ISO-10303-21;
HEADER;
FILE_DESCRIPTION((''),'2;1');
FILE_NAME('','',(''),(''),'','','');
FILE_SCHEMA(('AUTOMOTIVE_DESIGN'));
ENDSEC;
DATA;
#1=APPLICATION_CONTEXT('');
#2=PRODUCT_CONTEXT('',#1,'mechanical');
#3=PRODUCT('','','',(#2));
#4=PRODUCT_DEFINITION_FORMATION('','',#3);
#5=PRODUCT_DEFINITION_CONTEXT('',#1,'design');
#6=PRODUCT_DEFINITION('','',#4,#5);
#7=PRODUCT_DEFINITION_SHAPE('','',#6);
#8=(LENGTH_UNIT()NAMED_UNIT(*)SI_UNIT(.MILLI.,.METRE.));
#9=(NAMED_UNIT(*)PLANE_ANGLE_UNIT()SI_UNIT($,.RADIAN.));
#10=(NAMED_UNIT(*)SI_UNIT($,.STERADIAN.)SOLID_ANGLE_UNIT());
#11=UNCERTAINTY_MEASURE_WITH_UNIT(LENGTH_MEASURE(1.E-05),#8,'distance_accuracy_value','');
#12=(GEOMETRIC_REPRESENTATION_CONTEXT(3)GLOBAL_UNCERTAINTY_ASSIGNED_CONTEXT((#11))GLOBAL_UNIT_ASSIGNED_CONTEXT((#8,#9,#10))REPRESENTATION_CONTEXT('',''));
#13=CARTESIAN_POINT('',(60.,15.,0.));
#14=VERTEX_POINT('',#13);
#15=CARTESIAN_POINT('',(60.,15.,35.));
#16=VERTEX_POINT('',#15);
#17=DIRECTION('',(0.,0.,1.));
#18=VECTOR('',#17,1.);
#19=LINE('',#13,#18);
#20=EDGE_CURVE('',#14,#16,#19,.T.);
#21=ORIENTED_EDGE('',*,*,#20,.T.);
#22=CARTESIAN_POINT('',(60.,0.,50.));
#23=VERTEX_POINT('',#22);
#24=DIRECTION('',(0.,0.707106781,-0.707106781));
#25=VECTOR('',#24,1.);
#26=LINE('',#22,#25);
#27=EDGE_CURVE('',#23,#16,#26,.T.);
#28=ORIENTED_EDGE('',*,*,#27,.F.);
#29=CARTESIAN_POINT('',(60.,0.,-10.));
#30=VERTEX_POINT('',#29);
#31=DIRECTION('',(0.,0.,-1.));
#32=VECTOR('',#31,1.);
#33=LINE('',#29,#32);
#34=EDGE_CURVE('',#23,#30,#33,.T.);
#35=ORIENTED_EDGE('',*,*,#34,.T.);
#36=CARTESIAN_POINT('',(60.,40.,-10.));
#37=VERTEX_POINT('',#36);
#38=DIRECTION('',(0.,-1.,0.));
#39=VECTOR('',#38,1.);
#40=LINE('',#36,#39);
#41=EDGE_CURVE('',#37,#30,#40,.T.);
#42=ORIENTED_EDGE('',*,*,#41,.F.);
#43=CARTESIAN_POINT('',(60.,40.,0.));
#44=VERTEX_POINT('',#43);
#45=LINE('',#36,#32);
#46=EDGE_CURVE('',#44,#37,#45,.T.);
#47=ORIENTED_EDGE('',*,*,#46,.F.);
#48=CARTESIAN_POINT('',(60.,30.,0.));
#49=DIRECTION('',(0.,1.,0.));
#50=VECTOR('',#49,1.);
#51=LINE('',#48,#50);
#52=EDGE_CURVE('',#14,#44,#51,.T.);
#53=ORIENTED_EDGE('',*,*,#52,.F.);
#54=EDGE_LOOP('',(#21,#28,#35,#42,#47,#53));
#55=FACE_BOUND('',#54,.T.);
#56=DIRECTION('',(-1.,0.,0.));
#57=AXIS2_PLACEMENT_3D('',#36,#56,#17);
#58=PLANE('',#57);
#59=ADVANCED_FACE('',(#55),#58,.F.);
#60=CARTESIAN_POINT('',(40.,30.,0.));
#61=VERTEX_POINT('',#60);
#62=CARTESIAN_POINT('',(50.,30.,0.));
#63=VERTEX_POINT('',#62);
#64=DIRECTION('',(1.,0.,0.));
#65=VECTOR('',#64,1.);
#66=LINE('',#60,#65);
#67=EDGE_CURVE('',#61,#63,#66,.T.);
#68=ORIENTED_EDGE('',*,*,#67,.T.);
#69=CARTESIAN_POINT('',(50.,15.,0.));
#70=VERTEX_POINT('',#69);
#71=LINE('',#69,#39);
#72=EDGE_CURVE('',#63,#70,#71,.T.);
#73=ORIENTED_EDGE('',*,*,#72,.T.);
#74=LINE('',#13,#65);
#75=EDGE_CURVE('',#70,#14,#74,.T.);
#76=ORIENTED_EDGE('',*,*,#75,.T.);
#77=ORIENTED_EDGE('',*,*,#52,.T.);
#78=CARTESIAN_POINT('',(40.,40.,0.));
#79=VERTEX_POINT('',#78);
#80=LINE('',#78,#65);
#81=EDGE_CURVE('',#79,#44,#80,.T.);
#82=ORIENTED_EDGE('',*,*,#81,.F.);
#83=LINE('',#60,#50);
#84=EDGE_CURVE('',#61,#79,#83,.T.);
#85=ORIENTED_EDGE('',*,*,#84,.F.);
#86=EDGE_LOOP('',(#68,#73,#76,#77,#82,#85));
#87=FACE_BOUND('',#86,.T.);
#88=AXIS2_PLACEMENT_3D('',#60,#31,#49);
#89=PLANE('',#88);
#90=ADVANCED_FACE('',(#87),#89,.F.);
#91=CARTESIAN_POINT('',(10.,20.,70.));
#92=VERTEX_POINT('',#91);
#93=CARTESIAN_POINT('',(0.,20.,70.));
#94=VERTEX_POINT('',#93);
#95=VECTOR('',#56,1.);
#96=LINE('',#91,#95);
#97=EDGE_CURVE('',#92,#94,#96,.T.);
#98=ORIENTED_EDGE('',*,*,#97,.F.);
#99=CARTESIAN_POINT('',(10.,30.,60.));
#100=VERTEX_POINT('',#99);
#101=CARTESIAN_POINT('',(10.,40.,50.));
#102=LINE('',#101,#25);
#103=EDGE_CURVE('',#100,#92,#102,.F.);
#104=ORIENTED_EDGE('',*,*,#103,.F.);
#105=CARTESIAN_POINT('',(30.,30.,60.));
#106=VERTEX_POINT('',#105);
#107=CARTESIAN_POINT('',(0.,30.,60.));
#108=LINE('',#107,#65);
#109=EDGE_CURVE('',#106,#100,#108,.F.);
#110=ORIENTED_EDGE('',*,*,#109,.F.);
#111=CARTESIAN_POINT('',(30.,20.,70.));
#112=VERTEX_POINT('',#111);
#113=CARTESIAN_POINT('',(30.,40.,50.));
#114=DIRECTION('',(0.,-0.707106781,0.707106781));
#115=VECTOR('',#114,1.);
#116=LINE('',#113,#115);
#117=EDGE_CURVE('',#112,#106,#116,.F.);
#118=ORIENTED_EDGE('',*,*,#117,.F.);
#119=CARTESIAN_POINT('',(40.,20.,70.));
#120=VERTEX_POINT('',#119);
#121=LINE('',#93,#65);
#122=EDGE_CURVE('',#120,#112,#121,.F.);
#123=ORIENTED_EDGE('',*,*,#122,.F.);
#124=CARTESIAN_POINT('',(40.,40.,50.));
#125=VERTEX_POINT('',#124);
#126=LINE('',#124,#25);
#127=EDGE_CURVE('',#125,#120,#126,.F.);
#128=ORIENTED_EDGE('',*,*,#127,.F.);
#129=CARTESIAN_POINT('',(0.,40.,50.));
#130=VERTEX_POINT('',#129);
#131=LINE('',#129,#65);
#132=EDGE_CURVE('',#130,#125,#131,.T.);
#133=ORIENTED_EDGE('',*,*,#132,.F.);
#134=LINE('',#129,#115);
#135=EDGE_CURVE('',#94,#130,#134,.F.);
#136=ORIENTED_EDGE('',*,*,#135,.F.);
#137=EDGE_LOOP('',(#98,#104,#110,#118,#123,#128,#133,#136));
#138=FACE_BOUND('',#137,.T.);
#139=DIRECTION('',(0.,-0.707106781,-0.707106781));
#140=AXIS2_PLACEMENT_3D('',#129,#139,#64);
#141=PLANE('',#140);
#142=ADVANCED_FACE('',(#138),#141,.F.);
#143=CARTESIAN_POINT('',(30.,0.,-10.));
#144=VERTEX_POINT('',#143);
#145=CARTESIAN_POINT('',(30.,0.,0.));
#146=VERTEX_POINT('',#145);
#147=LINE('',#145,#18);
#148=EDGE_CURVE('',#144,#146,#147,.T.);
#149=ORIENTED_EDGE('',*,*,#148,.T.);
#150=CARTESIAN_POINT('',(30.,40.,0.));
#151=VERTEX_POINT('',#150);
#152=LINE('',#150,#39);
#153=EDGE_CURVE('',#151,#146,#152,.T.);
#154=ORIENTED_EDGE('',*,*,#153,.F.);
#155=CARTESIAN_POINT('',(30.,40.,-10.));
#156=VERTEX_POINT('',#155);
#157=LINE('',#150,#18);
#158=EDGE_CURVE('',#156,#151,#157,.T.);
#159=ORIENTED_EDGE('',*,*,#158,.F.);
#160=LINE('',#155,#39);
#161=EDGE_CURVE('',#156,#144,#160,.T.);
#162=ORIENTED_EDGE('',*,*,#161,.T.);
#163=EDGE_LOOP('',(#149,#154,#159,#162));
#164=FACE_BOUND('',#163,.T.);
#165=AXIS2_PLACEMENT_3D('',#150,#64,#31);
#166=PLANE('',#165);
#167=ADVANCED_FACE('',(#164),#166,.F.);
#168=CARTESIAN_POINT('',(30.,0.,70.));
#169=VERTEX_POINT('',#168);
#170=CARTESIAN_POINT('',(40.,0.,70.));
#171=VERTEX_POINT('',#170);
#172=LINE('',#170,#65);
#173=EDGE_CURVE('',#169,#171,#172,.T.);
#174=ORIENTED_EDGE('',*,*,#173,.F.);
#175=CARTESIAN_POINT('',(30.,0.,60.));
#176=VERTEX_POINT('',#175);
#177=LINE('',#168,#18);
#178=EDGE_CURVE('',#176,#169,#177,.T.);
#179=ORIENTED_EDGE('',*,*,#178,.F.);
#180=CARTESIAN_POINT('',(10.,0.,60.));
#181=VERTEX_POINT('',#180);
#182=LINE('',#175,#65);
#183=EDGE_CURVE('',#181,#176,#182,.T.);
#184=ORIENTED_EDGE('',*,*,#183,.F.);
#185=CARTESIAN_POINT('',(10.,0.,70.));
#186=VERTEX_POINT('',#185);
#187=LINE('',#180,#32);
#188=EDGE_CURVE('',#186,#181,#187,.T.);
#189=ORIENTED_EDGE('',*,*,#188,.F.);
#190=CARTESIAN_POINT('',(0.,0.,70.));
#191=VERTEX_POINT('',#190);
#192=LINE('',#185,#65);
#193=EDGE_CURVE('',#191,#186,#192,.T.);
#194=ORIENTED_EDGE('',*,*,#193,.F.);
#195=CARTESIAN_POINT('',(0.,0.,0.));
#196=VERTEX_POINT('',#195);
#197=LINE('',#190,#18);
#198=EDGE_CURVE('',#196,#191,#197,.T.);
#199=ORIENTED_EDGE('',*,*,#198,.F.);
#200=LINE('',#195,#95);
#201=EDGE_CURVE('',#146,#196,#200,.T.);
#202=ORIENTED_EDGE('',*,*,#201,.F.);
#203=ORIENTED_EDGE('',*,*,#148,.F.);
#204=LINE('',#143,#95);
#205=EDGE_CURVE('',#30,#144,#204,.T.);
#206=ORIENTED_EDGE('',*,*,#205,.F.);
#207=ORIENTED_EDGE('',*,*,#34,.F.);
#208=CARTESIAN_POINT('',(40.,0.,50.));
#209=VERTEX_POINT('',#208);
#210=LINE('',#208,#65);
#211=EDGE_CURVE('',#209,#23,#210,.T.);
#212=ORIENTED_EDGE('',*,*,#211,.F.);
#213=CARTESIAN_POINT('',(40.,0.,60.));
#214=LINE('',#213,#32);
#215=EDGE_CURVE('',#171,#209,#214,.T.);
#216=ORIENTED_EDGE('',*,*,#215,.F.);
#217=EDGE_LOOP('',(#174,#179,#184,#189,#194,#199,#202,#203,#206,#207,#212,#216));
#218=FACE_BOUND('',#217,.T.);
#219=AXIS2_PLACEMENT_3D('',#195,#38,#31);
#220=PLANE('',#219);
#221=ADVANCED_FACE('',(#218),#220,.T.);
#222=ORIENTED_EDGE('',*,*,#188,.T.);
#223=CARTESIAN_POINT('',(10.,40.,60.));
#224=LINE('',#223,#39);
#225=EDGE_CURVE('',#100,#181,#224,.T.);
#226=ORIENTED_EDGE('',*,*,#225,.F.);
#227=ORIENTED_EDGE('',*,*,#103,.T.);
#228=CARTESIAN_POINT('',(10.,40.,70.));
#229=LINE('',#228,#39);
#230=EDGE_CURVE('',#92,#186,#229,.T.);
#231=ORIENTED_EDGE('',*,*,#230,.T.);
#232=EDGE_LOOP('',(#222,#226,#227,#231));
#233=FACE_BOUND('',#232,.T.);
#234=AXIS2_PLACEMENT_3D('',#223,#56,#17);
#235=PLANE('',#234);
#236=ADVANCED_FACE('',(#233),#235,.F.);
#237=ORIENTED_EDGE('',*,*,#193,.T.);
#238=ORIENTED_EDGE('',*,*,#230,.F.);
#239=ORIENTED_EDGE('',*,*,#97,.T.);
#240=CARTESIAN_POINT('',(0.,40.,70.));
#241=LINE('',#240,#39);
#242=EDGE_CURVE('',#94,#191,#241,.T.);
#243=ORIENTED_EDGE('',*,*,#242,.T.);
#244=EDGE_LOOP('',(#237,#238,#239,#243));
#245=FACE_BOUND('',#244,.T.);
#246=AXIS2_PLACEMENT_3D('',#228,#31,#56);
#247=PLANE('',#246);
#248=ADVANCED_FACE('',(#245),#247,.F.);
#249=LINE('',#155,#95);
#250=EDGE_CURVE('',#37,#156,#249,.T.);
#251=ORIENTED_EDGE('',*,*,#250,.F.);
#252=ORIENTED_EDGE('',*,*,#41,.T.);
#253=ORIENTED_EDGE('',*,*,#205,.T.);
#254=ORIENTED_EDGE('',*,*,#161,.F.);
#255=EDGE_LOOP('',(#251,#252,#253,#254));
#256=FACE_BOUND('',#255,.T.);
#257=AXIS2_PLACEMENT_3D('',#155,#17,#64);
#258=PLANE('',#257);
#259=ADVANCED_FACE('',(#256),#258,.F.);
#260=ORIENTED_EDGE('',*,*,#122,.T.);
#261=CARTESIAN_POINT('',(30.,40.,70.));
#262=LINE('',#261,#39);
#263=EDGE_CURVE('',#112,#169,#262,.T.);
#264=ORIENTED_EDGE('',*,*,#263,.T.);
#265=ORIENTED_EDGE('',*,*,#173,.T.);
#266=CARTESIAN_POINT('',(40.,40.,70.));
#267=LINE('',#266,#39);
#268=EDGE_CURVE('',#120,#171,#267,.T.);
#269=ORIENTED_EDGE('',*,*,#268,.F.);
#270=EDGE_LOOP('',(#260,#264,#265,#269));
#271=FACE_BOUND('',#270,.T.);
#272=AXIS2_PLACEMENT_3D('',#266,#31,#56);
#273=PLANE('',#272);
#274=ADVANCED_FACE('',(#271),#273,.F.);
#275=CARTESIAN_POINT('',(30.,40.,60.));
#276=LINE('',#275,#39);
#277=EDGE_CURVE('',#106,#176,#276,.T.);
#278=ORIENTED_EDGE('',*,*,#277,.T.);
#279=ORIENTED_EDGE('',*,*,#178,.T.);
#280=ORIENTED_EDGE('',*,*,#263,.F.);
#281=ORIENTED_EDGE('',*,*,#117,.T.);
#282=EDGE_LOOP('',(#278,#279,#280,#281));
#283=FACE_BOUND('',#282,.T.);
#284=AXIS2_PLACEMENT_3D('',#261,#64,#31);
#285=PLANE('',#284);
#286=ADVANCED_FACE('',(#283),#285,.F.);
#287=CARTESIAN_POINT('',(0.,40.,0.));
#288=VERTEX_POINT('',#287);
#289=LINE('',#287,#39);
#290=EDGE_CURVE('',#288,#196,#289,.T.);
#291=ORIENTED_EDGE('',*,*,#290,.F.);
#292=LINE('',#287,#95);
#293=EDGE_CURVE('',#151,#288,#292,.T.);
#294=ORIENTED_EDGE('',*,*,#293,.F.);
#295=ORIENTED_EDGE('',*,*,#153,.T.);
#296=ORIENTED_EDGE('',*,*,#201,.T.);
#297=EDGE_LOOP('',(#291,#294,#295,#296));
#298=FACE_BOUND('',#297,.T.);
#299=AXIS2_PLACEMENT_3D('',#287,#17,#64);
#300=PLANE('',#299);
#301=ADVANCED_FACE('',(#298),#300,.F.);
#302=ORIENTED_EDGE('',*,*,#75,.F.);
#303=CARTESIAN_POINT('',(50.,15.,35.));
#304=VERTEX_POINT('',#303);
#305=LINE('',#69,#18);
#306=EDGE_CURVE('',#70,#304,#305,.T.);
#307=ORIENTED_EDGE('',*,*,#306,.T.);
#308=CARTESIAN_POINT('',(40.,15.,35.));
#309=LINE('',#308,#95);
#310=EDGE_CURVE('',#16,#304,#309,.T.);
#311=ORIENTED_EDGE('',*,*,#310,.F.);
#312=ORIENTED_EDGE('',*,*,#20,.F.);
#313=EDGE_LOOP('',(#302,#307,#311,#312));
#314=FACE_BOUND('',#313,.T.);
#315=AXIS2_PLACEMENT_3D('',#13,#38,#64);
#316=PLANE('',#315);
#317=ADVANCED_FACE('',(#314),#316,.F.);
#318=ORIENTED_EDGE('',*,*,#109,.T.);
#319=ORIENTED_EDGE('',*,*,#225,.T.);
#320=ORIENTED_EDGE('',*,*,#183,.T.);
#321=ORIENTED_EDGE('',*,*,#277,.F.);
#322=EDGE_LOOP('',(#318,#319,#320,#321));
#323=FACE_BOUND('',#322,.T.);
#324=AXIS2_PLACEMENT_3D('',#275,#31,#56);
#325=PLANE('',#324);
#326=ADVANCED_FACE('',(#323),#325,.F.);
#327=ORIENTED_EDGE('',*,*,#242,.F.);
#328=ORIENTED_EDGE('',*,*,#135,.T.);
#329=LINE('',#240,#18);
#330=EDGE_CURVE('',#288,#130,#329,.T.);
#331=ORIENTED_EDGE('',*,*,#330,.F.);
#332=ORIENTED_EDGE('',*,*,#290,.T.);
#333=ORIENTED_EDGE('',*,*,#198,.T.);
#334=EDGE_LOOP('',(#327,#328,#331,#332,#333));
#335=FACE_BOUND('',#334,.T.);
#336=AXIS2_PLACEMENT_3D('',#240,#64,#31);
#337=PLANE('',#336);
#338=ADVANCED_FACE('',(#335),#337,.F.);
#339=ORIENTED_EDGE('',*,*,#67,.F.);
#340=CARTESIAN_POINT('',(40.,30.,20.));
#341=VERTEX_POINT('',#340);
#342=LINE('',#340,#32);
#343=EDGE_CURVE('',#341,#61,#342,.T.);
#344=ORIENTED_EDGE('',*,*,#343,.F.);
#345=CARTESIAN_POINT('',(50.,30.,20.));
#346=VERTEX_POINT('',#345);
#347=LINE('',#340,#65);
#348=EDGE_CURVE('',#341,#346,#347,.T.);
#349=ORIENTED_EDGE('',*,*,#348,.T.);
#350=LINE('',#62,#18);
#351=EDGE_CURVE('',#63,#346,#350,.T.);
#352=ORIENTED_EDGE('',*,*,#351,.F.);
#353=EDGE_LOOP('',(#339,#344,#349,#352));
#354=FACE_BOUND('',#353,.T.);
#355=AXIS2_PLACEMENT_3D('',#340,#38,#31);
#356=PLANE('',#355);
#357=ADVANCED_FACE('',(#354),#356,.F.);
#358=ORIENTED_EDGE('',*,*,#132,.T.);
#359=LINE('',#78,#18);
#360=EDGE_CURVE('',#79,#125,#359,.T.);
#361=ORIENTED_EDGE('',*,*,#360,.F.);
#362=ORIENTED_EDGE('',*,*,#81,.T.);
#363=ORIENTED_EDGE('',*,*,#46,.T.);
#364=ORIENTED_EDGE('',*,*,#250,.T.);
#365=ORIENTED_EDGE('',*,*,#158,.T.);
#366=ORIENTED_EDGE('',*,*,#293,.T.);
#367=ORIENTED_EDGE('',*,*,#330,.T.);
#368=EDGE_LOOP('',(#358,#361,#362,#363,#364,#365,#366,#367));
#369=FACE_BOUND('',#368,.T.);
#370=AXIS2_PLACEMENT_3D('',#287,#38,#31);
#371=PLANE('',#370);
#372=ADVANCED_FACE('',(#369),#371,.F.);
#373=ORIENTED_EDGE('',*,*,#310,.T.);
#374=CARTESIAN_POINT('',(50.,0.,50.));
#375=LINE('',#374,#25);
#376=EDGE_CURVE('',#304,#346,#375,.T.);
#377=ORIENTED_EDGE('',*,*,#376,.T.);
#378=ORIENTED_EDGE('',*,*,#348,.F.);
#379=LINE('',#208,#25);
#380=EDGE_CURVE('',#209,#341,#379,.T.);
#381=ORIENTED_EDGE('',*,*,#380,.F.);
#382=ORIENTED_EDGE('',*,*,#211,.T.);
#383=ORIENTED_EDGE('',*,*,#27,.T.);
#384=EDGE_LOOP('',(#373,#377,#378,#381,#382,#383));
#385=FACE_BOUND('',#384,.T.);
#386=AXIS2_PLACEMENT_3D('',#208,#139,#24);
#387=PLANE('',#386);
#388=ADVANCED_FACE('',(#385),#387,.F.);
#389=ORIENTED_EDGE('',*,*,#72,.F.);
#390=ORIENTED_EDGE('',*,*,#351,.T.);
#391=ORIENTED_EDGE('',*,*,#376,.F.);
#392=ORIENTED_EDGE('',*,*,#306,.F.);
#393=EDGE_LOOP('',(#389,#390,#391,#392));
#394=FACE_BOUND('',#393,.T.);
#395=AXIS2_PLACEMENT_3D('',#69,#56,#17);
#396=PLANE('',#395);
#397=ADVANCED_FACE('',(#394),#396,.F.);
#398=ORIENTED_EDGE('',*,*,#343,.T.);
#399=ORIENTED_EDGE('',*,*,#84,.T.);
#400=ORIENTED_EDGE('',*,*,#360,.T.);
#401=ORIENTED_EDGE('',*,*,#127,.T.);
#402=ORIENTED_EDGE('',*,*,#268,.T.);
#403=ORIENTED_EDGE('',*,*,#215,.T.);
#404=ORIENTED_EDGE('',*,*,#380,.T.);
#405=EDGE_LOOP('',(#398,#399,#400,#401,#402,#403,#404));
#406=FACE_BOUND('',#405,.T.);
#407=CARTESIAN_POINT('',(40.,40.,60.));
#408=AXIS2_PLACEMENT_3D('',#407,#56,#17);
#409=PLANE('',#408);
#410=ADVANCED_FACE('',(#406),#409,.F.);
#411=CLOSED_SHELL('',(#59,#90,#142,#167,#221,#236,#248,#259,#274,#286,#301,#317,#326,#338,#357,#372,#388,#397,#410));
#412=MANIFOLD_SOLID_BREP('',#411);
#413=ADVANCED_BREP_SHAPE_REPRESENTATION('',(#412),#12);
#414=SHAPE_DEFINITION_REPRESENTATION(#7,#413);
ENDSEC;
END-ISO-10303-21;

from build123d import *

# Parameters (mm, degrees)
BOSS_EXTRUDE1_DEPTH = 40
CHAMFER1_SIZE       = 20
CUT_EXTRUDE1_DEPTH  = 20
SKETCH3_W           = 10
SKETCH3_H           = 15
CUT_EXTRUDE2_DEPTH  = 70


with BuildPart() as part:
    # Sketch1 → Boss-Extrude1 (new body)
    with BuildSketch(Plane(origin=(0, 0, 0), x_dir=(1, 0, 0), z_dir=(0, 1, 0))):
        Polygon((0, 0), (30, 0), (30, 10), (60, 10), (60, -60), (40, -60), (40, -70), (30, -70), (30, -60), (10, -60), (10, -70), (0, -70), align=None)
    extrude(amount=BOSS_EXTRUDE1_DEPTH)

    # Chamfer1
    chamfer1_edges = [part.edges().sort_by_distance(p)[0] for p in [
        (5, 40, 70),
    ]]
    chamfer(chamfer1_edges, length=CHAMFER1_SIZE)

    # Sketch2 → Cut-Extrude1 (cut)
    with BuildSketch(Plane(origin=(60, 0, 0), x_dir=(0, 0, -1), z_dir=(1, 0, 0))):
        Polygon((0, 30), (0, 40), (-50, 40), (-60, 30), (-60, 0), (-50, 0), (-20, 30), align=None)
    extrude(amount=-CUT_EXTRUDE1_DEPTH, mode=Mode.SUBTRACT)

    # Sketch3 → Cut-Extrude2 (cut)
    with BuildSketch(Plane.XY.offset(70)):
        with Locations((55, 22.5)):
            Rectangle(SKETCH3_W, SKETCH3_H)
    extrude(amount=-CUT_EXTRUDE2_DEPTH, mode=Mode.SUBTRACT)


solid = part.part
